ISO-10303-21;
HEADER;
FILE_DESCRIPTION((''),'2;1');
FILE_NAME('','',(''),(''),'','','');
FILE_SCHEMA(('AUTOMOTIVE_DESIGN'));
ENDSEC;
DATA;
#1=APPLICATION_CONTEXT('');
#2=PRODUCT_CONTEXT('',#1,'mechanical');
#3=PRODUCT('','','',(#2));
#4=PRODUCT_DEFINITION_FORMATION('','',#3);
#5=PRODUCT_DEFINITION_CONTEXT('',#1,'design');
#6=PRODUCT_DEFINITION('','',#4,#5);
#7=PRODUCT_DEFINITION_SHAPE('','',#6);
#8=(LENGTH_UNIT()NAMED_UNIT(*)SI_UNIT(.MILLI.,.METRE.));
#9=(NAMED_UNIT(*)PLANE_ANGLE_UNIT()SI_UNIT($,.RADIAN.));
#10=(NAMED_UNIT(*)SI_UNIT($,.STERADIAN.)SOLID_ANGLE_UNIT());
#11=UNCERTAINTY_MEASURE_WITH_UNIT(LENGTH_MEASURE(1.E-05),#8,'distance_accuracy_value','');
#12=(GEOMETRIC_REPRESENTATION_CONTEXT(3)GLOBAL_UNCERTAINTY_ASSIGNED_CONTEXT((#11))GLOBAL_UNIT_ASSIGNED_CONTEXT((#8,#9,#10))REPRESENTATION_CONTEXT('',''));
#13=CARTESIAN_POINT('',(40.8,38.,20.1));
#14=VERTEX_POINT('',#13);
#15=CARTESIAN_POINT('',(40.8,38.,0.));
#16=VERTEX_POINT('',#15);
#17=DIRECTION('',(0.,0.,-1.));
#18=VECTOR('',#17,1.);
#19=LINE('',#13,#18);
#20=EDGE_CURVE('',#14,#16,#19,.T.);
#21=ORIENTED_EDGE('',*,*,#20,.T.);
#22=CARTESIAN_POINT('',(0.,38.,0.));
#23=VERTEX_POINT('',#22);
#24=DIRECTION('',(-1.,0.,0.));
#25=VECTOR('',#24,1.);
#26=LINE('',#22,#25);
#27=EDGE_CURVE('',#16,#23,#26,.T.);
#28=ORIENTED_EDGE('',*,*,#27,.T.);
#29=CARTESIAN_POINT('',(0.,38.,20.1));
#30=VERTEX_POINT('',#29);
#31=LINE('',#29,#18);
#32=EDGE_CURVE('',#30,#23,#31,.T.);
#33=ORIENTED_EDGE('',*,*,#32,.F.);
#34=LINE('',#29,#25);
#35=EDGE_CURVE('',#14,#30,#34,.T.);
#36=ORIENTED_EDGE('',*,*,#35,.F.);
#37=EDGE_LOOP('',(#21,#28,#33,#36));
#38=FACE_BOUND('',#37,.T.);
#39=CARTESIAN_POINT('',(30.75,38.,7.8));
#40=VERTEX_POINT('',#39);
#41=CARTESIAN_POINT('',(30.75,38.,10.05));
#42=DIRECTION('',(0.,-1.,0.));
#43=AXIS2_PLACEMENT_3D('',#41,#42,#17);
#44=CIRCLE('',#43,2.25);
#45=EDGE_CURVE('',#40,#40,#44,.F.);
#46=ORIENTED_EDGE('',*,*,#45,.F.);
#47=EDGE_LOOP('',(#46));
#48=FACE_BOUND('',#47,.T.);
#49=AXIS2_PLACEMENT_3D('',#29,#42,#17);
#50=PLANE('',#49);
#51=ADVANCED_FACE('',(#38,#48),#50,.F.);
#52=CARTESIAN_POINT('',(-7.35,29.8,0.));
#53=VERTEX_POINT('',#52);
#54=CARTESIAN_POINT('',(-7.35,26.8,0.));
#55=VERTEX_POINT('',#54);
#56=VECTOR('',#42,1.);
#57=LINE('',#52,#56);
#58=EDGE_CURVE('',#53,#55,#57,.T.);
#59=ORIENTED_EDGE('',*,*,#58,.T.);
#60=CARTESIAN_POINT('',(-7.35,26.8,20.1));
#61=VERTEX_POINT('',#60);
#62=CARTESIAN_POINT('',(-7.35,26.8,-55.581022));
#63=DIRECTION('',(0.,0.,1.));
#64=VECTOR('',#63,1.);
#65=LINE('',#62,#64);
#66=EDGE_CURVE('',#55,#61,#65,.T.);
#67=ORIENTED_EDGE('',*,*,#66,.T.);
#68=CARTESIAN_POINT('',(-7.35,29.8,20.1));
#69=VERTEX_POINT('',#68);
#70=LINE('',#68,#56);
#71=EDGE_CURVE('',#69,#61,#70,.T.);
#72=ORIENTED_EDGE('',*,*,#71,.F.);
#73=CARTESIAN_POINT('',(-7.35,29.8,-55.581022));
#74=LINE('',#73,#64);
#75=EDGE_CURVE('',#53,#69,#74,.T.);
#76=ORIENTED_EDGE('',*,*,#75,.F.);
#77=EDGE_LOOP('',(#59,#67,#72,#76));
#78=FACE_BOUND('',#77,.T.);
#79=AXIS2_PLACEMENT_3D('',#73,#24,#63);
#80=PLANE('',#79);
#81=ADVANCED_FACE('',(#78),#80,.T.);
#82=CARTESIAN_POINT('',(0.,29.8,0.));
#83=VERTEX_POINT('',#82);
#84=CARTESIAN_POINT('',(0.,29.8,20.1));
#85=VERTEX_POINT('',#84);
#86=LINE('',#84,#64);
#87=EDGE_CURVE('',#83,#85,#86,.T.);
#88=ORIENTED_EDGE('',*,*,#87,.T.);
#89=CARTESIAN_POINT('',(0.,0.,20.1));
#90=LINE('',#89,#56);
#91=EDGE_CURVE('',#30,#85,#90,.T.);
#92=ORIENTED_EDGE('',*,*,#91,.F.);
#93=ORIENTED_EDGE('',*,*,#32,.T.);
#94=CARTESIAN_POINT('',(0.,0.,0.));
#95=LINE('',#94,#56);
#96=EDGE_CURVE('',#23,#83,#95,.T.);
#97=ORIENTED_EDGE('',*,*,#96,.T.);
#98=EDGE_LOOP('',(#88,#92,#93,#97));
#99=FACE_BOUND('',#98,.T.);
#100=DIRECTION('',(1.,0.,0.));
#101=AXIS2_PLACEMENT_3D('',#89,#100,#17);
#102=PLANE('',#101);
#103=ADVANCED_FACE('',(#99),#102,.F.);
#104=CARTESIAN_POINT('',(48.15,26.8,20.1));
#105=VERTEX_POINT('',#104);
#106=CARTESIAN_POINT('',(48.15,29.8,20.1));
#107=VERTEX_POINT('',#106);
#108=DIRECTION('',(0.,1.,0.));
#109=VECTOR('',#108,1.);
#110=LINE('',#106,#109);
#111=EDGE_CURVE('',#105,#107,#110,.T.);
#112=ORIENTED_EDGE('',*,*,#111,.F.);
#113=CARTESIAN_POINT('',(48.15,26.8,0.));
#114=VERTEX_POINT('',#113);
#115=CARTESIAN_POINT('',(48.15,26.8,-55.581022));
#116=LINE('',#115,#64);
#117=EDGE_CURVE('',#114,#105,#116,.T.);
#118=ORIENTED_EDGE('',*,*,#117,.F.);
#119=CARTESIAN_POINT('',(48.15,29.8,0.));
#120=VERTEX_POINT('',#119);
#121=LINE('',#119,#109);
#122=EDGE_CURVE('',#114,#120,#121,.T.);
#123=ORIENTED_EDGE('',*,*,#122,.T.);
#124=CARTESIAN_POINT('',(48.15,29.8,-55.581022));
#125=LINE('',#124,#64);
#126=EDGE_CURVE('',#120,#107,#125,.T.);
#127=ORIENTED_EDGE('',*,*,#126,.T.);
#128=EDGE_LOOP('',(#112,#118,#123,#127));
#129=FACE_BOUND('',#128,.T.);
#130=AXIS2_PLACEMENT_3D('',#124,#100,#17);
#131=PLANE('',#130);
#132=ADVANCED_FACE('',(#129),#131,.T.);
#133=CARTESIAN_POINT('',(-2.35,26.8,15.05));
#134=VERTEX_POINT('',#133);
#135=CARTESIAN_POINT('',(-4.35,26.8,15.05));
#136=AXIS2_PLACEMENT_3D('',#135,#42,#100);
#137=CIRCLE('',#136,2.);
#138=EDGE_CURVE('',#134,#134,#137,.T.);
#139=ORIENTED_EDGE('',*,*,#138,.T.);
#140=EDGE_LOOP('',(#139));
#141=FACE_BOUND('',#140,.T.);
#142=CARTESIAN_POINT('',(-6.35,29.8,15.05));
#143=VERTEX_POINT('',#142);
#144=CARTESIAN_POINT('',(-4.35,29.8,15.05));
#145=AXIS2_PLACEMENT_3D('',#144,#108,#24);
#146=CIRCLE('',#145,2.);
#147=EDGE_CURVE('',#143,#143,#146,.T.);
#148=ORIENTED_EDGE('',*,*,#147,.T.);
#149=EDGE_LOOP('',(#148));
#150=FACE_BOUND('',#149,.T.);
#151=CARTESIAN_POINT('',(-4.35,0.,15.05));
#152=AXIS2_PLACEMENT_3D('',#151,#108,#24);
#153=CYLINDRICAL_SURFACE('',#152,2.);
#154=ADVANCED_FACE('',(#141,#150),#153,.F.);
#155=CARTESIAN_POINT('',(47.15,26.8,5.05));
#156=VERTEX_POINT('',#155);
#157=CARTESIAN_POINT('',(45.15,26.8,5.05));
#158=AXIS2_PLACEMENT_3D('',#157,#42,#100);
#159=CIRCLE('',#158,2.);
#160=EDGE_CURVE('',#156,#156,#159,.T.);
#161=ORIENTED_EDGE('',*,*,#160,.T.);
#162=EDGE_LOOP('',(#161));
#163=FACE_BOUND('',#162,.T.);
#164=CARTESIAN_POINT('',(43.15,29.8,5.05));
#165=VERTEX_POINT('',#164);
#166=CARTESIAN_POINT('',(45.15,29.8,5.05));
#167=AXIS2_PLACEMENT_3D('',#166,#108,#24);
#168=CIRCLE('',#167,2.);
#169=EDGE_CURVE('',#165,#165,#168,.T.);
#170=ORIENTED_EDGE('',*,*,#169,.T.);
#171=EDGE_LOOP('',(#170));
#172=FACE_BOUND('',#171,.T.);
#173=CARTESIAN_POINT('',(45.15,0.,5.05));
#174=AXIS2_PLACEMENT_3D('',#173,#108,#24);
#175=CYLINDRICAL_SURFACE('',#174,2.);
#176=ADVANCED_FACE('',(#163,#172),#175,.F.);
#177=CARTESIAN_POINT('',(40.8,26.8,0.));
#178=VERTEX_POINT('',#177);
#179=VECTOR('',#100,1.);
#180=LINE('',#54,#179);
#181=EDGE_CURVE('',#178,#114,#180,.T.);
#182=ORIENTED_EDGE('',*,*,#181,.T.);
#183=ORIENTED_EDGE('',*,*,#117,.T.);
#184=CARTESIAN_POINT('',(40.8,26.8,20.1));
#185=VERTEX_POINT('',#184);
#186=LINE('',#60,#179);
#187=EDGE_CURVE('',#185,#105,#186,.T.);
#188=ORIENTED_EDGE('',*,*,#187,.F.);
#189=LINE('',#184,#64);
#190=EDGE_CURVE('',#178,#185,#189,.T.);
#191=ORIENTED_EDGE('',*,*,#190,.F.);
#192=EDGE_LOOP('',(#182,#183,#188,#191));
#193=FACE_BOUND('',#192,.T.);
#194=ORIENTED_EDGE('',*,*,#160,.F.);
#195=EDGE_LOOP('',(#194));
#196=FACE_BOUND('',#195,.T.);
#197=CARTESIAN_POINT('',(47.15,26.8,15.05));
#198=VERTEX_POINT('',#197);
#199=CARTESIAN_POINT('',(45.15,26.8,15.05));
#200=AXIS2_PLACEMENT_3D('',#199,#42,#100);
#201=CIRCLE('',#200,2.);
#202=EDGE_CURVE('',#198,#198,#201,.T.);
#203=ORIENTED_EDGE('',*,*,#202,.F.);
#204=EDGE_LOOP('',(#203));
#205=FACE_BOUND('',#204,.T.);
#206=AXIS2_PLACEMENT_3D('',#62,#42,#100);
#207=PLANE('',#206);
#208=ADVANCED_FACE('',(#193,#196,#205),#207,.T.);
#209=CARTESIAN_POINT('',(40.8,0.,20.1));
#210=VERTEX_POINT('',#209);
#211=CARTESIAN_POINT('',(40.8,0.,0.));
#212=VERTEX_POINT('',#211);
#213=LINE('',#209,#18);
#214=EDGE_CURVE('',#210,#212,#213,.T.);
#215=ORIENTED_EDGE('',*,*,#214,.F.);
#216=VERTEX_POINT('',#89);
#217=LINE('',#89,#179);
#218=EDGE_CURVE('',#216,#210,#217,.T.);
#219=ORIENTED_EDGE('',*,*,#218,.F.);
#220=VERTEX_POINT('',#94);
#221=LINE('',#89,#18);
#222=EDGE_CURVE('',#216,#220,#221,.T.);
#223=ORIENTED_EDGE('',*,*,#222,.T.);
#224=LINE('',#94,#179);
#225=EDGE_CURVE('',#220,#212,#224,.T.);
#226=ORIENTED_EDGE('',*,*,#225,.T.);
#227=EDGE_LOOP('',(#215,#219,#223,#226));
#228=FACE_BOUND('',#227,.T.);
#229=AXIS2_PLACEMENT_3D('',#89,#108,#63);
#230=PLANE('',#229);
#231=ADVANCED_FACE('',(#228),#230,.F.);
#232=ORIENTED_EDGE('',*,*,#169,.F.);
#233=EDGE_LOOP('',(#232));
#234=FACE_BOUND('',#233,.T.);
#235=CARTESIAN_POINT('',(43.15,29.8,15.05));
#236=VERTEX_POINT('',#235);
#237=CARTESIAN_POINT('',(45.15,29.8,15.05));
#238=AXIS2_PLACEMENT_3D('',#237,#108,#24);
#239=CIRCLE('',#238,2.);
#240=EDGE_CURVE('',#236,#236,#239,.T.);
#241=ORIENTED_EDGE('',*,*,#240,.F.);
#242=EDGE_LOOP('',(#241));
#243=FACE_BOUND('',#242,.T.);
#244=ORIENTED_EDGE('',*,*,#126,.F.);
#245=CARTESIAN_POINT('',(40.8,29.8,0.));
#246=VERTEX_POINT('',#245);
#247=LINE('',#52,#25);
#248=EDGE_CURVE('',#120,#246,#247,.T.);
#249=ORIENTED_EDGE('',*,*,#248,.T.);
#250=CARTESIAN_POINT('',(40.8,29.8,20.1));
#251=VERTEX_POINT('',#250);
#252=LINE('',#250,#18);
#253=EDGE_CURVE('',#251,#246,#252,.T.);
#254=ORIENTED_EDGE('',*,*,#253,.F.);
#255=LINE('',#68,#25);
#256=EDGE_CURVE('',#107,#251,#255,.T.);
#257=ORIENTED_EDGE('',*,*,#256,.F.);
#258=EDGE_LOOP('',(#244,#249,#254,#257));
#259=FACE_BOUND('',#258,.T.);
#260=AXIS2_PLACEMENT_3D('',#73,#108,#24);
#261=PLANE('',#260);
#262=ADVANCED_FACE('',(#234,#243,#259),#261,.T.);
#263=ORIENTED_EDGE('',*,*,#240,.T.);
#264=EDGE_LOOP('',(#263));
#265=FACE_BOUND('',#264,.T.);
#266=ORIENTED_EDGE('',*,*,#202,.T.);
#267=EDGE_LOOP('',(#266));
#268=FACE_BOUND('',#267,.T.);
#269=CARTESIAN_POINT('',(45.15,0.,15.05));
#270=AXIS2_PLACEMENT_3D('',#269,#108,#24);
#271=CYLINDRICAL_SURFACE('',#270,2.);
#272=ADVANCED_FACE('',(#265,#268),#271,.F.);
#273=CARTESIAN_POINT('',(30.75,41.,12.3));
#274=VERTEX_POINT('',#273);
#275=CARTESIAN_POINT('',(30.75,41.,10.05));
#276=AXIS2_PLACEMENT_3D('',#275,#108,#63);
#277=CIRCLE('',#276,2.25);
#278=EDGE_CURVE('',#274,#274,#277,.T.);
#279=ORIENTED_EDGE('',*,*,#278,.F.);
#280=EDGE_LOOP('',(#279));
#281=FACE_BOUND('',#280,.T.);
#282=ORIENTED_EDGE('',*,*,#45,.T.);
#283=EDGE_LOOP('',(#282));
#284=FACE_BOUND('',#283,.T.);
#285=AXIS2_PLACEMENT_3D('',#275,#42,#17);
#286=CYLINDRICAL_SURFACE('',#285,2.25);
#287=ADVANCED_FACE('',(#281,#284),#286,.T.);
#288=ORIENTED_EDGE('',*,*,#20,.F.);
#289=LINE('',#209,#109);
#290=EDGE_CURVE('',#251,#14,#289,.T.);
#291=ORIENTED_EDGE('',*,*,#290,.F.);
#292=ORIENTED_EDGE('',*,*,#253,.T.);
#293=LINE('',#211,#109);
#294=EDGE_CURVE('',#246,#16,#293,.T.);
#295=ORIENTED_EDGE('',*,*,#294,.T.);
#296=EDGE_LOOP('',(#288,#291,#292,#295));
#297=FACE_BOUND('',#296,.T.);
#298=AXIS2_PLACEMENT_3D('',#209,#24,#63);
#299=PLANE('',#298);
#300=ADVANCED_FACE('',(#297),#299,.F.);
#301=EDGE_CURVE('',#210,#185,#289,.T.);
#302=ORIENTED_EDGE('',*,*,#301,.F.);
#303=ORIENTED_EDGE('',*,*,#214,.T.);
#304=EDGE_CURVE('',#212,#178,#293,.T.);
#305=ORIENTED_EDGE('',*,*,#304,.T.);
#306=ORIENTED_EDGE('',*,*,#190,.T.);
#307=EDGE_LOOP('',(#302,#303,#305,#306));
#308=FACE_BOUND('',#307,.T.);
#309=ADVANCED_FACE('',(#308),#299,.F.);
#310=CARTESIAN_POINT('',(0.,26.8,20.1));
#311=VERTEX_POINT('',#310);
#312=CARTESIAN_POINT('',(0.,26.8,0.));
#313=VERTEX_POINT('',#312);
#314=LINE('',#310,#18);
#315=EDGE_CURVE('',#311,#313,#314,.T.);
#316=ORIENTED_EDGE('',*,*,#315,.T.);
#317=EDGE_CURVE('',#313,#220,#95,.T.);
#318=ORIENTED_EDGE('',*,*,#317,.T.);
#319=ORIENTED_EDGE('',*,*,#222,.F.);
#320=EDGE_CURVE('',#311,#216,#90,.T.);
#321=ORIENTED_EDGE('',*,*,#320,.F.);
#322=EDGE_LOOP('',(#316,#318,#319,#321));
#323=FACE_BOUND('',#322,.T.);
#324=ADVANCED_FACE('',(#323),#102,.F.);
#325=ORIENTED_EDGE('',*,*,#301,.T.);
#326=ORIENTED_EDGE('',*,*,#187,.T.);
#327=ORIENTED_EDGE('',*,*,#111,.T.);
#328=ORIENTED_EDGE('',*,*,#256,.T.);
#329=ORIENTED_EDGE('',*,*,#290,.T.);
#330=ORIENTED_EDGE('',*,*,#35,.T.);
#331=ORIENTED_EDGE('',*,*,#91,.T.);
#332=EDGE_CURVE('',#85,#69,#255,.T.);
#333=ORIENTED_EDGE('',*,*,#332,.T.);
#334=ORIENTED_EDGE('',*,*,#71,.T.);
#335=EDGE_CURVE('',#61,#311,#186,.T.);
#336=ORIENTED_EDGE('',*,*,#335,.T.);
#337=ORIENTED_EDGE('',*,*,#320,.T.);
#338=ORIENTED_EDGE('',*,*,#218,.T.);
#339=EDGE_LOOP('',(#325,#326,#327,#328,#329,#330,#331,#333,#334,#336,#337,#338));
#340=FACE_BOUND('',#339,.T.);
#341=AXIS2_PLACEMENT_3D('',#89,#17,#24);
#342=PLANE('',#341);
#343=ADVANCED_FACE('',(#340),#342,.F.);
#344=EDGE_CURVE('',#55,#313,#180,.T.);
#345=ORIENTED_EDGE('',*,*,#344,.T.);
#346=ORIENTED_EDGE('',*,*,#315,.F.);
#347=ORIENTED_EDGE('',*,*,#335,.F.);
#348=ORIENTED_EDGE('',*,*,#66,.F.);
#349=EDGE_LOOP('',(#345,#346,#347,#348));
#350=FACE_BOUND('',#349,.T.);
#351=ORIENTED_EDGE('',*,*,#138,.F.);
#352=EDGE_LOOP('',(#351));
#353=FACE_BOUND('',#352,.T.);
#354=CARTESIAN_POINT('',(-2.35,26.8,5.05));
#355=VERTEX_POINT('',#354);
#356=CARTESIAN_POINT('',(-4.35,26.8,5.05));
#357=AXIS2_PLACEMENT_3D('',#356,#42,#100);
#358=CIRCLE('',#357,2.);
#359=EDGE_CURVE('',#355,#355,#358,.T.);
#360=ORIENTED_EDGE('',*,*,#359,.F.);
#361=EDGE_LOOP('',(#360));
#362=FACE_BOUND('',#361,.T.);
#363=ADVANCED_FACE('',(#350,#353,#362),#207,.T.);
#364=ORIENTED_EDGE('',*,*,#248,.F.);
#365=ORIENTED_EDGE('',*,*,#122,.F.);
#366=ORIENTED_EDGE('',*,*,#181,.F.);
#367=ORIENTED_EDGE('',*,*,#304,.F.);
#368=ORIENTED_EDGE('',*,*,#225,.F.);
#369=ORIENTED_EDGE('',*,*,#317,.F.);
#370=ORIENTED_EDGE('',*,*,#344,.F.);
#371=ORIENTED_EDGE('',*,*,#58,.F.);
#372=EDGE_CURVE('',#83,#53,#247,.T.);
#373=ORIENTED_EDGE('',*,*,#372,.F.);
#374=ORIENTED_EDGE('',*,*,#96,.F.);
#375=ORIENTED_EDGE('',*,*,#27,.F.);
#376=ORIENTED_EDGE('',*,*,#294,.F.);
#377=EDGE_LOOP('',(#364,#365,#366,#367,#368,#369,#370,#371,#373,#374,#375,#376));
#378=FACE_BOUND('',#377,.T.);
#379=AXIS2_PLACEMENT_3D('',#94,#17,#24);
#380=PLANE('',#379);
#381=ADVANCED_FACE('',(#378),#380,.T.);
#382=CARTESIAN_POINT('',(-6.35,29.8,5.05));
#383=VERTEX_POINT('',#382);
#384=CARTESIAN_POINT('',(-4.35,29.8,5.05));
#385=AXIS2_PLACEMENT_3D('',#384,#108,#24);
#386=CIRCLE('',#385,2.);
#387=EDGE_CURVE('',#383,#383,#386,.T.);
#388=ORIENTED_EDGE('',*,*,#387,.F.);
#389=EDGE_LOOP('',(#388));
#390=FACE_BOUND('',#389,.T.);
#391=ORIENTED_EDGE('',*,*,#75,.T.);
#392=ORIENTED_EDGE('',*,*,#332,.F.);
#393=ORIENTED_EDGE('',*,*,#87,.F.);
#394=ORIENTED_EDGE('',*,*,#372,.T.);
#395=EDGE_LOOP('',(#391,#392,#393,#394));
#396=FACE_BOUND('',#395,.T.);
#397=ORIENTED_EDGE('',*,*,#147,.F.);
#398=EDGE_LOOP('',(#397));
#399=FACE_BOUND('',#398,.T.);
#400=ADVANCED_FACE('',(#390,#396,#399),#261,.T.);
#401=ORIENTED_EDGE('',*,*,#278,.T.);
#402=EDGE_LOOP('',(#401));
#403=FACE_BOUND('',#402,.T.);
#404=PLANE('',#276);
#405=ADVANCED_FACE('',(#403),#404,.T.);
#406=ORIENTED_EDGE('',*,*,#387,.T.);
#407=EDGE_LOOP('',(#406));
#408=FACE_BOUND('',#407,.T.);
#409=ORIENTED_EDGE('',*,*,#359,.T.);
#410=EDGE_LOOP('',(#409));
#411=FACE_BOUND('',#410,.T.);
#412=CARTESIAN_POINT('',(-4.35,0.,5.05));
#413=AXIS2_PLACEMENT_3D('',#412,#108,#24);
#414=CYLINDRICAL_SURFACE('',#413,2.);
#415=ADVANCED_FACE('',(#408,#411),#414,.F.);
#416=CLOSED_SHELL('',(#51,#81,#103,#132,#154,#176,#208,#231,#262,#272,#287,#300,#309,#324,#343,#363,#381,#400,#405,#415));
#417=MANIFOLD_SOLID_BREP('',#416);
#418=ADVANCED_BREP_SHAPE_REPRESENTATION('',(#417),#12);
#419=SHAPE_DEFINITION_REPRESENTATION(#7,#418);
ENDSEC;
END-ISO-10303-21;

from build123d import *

# Parameters (mm, degrees)
SKETCH1_W           = 40.8
SKETCH1_H           = 38
BOSS_EXTRUDE1_DEPTH = 20.1
SKETCH2_W           = 55.5
SKETCH2_H           = 3
BOSS_EXTRUDE2_DEPTH = 20.1
SKETCH3_R           = 2
CUT_EXTRUDE1_DEPTH  = 30.8
SKETCH4_R           = 2.25
BOSS_EXTRUDE3_DEPTH = 3


with BuildPart() as part:
    # Sketch1 → Boss-Extrude1 (new body)
    with BuildSketch(Plane.XY):
        with Locations((20.4, 19)):
            Rectangle(SKETCH1_W, SKETCH1_H)
    extrude(amount=BOSS_EXTRUDE1_DEPTH)

    # Sketch2 → Boss-Extrude2 (add)
    with BuildSketch(Plane.XY.offset(20.1)):
        with Locations((20.4, 28.3)):
            Rectangle(SKETCH2_W, SKETCH2_H)
    extrude(amount=-BOSS_EXTRUDE2_DEPTH)

    # Sketch3 → Cut-Extrude1 (cut, through all)
    with BuildSketch(Plane(origin=(0, 29.8, 0), x_dir=(1, 0, 0), z_dir=(0, 1, 0))):
        with Locations((-4.35, -5.05)):
            Circle(SKETCH3_R)
        with Locations((-4.35, -15.05)):
            Circle(SKETCH3_R)
        with Locations((45.15, -15.05)):
            Circle(SKETCH3_R)
        with Locations((45.15, -5.05)):
            Circle(SKETCH3_R)
    extrude(amount=-CUT_EXTRUDE1_DEPTH, mode=Mode.SUBTRACT)

    # Sketch4 → Boss-Extrude3 (add)
    with BuildSketch(Plane(origin=(0, 38, 0), x_dir=(1, 0, 0), z_dir=(0, 1, 0))):
        with Locations((30.75, -10.05)):
            Circle(SKETCH4_R)
    extrude(amount=BOSS_EXTRUDE3_DEPTH)


solid = part.part
